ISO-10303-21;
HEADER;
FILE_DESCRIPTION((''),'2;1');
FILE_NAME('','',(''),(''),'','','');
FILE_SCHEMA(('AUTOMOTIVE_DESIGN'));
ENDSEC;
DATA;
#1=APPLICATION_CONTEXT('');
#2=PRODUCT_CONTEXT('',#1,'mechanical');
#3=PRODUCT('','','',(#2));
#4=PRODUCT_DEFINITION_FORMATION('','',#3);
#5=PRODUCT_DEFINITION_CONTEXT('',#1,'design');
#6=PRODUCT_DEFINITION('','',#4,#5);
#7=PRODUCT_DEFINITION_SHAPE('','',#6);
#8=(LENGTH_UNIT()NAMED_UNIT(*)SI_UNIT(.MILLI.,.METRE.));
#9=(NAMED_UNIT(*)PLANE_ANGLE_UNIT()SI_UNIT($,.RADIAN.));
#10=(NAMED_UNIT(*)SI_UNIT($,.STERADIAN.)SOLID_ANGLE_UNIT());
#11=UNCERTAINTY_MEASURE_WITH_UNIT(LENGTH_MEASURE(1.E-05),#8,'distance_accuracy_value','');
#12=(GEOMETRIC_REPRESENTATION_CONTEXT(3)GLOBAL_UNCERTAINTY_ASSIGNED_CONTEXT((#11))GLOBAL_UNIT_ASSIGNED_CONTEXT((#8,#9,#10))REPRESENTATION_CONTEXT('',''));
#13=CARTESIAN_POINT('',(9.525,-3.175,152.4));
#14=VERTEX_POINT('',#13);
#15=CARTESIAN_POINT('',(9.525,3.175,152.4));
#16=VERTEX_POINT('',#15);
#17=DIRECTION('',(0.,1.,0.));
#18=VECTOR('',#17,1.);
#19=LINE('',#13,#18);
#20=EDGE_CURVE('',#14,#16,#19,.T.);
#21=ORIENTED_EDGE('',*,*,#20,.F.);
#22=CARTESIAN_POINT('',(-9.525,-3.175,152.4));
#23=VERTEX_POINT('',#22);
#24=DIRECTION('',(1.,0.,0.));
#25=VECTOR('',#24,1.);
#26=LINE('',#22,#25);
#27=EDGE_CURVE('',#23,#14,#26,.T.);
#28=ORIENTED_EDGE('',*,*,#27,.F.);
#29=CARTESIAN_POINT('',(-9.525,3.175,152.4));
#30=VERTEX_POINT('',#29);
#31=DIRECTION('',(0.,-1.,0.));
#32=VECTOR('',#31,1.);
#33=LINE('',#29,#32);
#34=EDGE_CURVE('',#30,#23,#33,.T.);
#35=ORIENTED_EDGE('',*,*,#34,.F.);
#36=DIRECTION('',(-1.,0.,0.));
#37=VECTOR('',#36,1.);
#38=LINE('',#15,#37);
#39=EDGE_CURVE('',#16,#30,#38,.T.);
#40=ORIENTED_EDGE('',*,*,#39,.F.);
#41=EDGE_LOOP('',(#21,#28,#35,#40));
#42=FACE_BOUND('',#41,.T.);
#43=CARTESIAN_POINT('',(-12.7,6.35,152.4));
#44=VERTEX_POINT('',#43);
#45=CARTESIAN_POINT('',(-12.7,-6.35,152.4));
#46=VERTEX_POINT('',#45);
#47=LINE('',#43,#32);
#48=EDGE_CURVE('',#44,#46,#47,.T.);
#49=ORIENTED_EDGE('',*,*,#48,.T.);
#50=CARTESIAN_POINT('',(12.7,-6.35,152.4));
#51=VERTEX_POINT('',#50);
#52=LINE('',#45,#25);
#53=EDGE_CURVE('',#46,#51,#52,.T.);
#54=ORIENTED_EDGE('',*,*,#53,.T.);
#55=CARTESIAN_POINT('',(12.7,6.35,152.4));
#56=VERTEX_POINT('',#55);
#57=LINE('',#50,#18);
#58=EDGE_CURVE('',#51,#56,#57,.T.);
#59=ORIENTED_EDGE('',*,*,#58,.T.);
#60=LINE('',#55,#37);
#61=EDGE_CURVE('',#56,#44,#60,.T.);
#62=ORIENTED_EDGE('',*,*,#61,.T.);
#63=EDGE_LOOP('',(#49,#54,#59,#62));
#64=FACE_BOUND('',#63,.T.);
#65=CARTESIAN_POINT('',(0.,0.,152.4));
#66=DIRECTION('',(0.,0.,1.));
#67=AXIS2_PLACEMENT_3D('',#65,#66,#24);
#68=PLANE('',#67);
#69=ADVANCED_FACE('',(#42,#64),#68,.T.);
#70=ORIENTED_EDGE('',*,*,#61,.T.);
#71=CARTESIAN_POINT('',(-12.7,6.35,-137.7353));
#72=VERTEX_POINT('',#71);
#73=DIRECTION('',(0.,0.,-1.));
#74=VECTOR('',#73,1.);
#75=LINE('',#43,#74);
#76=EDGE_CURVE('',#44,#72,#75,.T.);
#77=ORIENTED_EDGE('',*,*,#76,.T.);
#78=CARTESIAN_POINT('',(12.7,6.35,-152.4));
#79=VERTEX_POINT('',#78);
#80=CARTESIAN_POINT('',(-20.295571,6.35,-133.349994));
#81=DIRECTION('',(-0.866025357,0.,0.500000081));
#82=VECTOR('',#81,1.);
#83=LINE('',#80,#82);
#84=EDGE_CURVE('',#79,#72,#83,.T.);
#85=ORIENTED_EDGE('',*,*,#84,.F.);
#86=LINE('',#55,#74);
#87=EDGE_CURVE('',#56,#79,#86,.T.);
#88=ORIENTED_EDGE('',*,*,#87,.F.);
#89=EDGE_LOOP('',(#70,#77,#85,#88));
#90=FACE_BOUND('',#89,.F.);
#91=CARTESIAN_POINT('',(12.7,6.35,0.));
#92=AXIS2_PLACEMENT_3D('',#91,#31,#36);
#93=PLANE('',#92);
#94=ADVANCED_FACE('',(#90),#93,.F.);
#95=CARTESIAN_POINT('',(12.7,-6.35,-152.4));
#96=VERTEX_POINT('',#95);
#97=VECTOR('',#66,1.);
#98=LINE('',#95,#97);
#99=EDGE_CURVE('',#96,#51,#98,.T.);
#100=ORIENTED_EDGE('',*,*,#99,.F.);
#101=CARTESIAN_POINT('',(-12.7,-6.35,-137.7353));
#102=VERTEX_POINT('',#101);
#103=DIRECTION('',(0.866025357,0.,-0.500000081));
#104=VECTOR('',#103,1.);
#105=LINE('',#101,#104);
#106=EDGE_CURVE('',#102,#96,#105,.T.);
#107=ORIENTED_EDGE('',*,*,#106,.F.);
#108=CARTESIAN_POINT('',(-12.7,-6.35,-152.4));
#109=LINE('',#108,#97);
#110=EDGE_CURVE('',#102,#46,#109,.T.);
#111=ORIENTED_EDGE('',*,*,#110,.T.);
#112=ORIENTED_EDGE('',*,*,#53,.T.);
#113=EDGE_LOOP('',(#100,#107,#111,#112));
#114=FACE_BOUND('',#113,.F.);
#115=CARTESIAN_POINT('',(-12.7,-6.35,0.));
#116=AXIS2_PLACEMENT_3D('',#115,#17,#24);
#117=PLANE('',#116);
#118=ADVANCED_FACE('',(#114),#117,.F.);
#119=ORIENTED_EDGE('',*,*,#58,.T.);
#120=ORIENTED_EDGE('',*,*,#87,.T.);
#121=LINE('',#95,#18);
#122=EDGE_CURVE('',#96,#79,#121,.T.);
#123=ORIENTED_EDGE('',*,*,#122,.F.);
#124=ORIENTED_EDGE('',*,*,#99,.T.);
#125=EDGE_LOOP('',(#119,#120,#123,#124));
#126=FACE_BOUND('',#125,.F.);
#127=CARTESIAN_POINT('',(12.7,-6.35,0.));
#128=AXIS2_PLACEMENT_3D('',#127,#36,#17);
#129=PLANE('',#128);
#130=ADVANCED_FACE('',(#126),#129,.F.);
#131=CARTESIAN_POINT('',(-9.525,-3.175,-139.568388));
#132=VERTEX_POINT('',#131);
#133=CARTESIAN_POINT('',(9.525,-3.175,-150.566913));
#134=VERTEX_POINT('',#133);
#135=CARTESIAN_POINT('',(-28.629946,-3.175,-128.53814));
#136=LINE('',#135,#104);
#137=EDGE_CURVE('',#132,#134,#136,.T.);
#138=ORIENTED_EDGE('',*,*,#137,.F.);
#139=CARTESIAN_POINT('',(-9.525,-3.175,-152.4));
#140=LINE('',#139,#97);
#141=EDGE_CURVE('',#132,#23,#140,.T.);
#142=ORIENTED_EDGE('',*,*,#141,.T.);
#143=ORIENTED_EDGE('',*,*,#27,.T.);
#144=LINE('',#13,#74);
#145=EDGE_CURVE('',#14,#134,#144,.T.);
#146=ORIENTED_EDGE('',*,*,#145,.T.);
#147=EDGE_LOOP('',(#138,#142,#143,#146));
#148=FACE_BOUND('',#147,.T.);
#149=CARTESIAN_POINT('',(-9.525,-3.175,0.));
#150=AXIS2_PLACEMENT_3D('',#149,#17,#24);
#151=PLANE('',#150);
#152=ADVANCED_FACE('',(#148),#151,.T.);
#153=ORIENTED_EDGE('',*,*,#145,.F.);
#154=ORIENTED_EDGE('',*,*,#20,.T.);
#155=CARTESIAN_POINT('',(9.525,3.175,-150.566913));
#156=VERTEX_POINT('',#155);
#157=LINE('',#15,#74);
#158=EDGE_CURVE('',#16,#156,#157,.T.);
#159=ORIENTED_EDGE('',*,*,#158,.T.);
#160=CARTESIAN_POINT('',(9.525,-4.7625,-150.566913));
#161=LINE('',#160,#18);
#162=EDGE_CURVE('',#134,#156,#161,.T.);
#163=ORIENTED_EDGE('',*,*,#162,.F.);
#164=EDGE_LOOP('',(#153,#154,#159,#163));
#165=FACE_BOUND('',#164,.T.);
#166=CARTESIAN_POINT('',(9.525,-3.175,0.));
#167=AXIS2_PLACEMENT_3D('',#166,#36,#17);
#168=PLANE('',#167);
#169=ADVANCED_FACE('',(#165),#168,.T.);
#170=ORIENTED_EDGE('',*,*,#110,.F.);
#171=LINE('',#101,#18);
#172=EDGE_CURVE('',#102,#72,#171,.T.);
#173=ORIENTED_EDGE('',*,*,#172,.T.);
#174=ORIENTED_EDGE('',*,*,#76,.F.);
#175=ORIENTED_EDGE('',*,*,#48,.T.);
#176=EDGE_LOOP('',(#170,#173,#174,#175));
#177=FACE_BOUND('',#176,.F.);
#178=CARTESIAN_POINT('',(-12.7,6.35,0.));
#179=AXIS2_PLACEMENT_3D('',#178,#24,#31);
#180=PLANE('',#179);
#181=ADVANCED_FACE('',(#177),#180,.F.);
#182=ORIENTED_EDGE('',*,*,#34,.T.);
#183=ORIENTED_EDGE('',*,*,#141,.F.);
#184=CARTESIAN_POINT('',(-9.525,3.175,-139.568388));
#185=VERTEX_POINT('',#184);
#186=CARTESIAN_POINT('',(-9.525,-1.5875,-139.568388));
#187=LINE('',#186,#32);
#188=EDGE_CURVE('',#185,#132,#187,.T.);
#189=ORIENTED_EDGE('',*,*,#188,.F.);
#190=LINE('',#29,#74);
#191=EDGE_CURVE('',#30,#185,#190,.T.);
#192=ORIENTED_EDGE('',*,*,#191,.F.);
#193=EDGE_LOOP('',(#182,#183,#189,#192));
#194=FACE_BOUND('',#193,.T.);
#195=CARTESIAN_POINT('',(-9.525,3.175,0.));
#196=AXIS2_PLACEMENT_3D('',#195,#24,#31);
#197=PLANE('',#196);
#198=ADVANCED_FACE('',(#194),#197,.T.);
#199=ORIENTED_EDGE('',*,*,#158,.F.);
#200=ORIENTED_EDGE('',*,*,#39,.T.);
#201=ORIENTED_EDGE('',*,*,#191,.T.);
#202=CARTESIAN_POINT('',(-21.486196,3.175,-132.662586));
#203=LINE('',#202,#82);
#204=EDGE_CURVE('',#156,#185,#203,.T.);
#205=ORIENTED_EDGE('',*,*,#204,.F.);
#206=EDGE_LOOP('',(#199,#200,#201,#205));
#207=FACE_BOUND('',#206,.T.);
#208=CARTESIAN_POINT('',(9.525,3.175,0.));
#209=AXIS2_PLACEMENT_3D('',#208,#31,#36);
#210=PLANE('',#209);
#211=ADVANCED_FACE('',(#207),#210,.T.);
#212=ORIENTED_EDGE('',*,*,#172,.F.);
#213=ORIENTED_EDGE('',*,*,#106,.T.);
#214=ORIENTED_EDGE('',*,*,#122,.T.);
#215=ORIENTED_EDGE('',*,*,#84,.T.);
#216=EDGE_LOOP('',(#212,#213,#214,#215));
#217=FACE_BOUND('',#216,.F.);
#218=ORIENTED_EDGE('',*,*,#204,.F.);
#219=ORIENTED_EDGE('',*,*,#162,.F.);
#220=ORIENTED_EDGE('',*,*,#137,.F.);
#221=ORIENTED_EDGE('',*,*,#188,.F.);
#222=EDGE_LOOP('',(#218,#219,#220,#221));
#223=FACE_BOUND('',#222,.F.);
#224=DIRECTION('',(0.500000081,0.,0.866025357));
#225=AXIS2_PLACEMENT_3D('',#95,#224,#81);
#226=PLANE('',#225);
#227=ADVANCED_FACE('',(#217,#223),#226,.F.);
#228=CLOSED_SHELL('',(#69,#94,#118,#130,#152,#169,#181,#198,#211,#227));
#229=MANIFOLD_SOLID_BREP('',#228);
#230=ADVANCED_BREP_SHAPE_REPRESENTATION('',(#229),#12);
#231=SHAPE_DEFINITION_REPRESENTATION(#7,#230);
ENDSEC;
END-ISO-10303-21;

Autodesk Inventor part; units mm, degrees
ref_plane "YZ Plane" through (0, 0, 0) normal (1, 0, 0) x (0, 1, 0)
ref_plane "XZ Plane" through (0, 0, 0) normal (0, 1, 0) x (-1, 0, 0)
ref_plane "XY Plane" through (0, 0, 0) normal (0, 0, 1) x (1, 0, 0)
sketch "Sketch1" plane through (0, 0, 0) normal (0, 0, 1) x (1, 0, 0)
  line L0 (-12.7, -6.35) -> (12.7, -6.35)
  line L1 (12.7, -6.35) -> (12.7, 6.35)
  line L2 (12.7, 6.35) -> (-12.7, 6.35)
  line L3 (-12.7, 6.35) -> (-12.7, -6.35)
  line L4 (-12.7, -6.35) -> (12.7, 6.35) construction
  line L5 (12.7, -6.35) -> (-12.7, 6.35) construction
  line L6 (-9.525, -3.175) -> (9.525, -3.175)
  line L7 (9.525, -3.175) -> (9.525, 3.175)
  line L8 (9.525, 3.175) -> (-9.525, 3.175)
  line L9 (-9.525, 3.175) -> (-9.525, -3.175)
  line L10 (-9.525, -3.175) -> (9.525, 3.175) construction
  line L11 (9.525, -3.175) -> (-9.525, 3.175) construction
  point P0 (0, 0)
  dimension "d0" = 25.4
  dimension "d1" = 12.7
  dimension "d2" = 3.175
  dimension "d3" = 3.175
extrude "Extrusion1" add sketch "Sketch1" along normal mid plane 304.8
sketch "Sketch2" plane through (-12.7, -6.35, 152.4) normal (0, -1, 0) x (1, 0, 0)
  line L0 (25.4, -304.8) -> (0, -304.8) projected
  line L1 (25.4, -304.8) -> (0, -290.1353)
  line L2 (0, 0) -> (0, -304.8) projected
  line L3 (0, -304.8) -> (0, -290.1353)
  line L4 (0, -304.8) -> (25.4, -304.8)
  line L5 (22.225, -304.8) -> (22.225, 0) projected
  point P0 (12.7, -152.4)
  dimension "d6" = 30
extrude "Extrusion2" cut sketch "Sketch2" against normal through all
properties part number "0_5-spacerForTopSideAluminumExtrusion" material "Aluminum 6061, Welded"
